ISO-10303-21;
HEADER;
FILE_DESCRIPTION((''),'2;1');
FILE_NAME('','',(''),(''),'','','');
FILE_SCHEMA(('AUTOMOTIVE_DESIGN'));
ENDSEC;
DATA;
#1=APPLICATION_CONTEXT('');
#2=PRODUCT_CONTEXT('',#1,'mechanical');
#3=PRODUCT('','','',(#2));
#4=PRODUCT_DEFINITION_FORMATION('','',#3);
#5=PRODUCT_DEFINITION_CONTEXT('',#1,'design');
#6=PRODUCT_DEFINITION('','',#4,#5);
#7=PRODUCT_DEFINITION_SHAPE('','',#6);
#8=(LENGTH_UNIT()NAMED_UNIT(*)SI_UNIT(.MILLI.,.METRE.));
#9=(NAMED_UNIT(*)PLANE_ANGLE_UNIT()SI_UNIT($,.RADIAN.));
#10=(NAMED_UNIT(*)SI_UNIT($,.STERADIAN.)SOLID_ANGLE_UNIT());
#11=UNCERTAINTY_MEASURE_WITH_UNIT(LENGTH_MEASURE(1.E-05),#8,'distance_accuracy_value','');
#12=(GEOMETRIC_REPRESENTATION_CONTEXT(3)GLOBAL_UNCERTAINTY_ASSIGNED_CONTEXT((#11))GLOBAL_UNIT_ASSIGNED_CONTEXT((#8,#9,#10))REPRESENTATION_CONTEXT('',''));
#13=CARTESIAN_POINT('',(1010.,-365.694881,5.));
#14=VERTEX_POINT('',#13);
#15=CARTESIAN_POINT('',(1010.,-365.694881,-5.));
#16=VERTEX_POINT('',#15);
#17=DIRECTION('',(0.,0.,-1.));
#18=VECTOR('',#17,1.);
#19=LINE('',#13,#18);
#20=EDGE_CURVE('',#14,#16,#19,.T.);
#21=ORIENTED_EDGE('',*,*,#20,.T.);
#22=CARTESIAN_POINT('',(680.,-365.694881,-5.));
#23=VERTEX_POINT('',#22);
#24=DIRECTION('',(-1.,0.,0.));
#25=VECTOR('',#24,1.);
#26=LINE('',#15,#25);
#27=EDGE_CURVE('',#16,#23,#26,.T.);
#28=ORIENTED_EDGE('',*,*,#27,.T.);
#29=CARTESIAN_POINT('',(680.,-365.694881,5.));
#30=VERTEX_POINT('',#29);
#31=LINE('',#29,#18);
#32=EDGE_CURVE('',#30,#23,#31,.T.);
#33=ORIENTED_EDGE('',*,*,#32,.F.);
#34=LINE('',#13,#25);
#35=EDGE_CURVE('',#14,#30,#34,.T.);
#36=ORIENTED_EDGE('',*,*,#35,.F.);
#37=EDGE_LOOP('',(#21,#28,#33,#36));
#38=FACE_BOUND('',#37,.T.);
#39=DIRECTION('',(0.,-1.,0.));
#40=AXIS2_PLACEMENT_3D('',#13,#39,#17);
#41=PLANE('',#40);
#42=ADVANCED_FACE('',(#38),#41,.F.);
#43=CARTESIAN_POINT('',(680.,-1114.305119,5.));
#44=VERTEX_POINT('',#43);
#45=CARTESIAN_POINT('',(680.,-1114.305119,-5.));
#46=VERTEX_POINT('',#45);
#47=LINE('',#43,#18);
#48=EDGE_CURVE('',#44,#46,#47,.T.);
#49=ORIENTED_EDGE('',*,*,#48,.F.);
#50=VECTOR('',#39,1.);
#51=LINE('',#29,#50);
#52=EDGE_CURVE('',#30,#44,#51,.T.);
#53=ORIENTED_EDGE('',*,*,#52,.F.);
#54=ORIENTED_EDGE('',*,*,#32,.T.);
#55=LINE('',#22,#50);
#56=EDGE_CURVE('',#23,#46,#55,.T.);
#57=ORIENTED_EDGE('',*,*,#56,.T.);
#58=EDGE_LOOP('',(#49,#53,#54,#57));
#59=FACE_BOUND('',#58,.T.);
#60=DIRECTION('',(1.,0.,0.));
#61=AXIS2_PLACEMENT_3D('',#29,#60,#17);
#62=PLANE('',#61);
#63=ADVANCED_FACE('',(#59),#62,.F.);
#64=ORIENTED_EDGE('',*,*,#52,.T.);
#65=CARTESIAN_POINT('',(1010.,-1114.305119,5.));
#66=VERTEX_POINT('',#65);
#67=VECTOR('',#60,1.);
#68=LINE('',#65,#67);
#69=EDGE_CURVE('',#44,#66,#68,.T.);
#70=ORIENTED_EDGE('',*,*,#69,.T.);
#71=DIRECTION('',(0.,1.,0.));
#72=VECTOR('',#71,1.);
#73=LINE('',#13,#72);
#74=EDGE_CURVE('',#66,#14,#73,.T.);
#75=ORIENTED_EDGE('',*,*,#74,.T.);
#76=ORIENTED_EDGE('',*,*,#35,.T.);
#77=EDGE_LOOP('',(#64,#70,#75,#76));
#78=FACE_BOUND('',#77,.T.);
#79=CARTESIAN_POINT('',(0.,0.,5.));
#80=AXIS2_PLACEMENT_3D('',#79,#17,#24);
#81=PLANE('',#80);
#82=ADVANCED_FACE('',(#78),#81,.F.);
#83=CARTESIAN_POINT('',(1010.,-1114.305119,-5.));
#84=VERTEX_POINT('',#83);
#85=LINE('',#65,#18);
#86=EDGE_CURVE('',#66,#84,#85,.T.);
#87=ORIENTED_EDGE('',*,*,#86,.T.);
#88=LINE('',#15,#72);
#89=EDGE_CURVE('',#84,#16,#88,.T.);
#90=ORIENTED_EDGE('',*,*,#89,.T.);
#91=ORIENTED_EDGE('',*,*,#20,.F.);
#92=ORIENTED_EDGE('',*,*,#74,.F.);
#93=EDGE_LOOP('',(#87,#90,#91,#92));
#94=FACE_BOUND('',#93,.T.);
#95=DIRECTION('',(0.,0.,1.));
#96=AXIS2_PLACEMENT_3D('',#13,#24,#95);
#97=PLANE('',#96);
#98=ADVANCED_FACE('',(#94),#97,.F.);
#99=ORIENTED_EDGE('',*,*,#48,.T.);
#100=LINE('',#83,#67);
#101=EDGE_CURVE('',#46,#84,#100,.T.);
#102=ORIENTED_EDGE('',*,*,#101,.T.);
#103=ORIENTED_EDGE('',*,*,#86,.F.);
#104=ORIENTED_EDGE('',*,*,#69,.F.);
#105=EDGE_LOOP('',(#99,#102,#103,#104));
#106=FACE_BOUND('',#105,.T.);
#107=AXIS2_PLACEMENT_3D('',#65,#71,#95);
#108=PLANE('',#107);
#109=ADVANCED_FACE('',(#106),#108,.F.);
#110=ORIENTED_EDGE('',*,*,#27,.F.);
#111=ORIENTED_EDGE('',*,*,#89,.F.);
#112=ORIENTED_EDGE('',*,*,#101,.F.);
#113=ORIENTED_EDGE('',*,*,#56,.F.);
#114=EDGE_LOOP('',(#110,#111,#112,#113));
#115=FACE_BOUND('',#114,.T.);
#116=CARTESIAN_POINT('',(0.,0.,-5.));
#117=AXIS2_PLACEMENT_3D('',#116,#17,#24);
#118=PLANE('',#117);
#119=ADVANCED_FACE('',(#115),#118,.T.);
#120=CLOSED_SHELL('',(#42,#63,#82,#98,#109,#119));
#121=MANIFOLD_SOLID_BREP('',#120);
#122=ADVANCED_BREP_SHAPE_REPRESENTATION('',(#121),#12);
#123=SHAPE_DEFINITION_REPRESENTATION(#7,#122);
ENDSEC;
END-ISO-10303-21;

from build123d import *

# Parameters (mm, degrees)
SKETCH1_W           = 330
SKETCH1_H           = 748.610238694
BOSS_EXTRUDE1_DEPTH = 5


with BuildPart() as part:
    # Sketch1 → Boss-Extrude1 (new, symmetric)
    with BuildSketch(Plane.XY):
        with Locations((845, -740)):
            Rectangle(SKETCH1_W, SKETCH1_H)
    extrude(amount=BOSS_EXTRUDE1_DEPTH, both=True)


solid = part.part
